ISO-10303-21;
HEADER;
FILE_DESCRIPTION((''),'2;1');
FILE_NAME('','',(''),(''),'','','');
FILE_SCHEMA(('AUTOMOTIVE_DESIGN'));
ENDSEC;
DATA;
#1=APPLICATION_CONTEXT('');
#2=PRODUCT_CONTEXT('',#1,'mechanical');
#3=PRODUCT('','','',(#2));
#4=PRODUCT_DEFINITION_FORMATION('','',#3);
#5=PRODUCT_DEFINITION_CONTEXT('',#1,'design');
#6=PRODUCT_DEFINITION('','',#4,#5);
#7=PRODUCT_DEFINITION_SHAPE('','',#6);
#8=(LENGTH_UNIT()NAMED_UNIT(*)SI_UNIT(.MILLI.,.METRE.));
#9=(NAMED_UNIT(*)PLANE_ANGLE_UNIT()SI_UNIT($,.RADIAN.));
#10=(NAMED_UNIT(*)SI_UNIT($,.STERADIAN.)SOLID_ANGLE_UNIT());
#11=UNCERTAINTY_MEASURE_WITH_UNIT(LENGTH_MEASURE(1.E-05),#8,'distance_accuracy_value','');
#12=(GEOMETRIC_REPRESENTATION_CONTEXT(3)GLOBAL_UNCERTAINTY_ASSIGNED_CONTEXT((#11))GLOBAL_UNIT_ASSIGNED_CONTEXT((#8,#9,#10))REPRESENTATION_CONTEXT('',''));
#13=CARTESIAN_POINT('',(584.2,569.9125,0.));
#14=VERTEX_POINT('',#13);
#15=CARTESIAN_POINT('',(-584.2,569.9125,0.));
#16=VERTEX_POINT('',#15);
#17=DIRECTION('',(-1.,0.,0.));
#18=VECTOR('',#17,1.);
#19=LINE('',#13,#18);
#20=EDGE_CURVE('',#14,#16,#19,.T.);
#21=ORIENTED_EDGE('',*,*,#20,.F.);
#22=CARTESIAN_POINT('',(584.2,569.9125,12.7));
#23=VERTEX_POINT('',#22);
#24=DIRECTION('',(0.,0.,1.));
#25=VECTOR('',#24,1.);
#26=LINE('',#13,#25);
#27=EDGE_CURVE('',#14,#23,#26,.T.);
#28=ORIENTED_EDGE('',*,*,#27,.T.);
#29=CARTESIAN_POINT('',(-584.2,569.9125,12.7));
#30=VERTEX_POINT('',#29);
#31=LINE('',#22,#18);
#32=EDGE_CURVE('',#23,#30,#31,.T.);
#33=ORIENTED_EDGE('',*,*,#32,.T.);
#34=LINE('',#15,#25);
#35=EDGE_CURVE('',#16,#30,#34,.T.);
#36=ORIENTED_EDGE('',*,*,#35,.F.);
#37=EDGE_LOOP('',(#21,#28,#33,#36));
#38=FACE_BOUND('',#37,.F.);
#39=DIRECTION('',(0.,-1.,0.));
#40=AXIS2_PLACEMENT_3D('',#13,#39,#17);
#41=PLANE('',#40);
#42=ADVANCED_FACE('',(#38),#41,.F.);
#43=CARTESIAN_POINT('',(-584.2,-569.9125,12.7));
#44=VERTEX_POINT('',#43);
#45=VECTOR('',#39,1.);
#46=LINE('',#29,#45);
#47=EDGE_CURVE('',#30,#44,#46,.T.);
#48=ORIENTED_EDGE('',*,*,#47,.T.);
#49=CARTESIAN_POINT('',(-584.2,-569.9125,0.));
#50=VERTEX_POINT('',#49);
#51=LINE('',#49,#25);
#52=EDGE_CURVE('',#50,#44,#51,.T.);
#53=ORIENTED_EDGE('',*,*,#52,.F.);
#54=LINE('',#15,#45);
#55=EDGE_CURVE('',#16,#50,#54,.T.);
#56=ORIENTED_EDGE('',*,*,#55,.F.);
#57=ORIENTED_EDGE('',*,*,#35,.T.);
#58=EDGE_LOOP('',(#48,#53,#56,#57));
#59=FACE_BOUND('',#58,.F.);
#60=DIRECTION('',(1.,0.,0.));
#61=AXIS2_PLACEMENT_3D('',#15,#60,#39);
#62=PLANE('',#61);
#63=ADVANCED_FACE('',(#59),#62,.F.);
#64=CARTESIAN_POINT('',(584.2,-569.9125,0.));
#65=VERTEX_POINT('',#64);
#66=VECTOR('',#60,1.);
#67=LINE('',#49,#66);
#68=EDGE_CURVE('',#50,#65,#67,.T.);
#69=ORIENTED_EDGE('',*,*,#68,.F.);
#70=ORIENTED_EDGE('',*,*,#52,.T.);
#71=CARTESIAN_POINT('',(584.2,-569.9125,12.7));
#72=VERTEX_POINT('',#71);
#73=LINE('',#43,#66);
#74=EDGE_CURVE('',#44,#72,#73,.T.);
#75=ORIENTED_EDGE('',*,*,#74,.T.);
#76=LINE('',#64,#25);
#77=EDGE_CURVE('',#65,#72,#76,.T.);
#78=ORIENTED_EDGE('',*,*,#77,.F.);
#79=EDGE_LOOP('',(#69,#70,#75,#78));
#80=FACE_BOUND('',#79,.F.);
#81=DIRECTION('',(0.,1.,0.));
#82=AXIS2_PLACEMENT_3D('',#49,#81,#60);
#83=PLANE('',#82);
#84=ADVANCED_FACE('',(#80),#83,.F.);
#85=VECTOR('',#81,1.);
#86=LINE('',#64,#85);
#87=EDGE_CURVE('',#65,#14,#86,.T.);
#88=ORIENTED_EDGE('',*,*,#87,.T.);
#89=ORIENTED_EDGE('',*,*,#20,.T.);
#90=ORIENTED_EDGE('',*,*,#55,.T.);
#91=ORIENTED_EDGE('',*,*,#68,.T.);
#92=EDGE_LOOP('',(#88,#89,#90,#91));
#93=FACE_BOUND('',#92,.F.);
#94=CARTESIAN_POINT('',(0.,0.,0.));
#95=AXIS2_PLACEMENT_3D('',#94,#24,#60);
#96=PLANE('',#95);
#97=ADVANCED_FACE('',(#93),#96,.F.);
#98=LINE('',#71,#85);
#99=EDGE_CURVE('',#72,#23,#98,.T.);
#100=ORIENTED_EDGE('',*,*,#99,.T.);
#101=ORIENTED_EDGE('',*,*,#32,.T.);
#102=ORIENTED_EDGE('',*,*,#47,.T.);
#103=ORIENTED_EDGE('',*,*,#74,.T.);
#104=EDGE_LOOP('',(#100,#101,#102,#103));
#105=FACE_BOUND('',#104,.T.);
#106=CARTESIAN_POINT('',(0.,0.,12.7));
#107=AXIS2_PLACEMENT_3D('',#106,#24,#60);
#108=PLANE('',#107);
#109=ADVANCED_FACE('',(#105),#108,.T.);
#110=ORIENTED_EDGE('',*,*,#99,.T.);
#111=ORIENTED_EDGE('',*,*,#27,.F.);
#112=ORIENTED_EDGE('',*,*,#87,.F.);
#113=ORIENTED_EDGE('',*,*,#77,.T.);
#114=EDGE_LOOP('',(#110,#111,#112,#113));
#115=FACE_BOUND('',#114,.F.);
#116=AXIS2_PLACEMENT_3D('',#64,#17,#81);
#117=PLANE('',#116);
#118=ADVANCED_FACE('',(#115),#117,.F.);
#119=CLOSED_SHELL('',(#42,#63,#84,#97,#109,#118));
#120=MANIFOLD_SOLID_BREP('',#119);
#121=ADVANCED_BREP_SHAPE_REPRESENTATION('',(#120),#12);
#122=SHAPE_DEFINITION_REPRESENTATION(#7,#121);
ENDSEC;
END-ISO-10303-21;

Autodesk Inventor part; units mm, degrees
ref_plane "YZ Plane" through (0, 0, 0) normal (1, 0, 0) x (0, 1, 0)
ref_plane "XZ Plane" through (0, 0, 0) normal (0, 1, 0) x (-1, 0, 0)
ref_plane "XY Plane" through (0, 0, 0) normal (0, 0, 1) x (1, 0, 0)
sketch "Sketch1" plane through (0, 0, 0) normal (0, 0, 1) x (1, 0, 0)
  line L0 (-584.2, -569.9125) -> (584.2, -569.9125)
  line L1 (584.2, -569.9125) -> (584.2, 569.9125)
  line L2 (584.2, 569.9125) -> (-584.2, 569.9125)
  line L3 (-584.2, 569.9125) -> (-584.2, -569.9125)
  line L4 (-584.2, -569.9125) -> (584.2, 569.9125) construction
  line L5 (584.2, -569.9125) -> (-584.2, 569.9125) construction
  point P0 (0, 0)
  dimension "d0" = 1168.4
  dimension "d1" = 1139.825
extrude "Extrusion1" add sketch "Sketch1" along normal blind 12.7
properties part number "left_0_2"
